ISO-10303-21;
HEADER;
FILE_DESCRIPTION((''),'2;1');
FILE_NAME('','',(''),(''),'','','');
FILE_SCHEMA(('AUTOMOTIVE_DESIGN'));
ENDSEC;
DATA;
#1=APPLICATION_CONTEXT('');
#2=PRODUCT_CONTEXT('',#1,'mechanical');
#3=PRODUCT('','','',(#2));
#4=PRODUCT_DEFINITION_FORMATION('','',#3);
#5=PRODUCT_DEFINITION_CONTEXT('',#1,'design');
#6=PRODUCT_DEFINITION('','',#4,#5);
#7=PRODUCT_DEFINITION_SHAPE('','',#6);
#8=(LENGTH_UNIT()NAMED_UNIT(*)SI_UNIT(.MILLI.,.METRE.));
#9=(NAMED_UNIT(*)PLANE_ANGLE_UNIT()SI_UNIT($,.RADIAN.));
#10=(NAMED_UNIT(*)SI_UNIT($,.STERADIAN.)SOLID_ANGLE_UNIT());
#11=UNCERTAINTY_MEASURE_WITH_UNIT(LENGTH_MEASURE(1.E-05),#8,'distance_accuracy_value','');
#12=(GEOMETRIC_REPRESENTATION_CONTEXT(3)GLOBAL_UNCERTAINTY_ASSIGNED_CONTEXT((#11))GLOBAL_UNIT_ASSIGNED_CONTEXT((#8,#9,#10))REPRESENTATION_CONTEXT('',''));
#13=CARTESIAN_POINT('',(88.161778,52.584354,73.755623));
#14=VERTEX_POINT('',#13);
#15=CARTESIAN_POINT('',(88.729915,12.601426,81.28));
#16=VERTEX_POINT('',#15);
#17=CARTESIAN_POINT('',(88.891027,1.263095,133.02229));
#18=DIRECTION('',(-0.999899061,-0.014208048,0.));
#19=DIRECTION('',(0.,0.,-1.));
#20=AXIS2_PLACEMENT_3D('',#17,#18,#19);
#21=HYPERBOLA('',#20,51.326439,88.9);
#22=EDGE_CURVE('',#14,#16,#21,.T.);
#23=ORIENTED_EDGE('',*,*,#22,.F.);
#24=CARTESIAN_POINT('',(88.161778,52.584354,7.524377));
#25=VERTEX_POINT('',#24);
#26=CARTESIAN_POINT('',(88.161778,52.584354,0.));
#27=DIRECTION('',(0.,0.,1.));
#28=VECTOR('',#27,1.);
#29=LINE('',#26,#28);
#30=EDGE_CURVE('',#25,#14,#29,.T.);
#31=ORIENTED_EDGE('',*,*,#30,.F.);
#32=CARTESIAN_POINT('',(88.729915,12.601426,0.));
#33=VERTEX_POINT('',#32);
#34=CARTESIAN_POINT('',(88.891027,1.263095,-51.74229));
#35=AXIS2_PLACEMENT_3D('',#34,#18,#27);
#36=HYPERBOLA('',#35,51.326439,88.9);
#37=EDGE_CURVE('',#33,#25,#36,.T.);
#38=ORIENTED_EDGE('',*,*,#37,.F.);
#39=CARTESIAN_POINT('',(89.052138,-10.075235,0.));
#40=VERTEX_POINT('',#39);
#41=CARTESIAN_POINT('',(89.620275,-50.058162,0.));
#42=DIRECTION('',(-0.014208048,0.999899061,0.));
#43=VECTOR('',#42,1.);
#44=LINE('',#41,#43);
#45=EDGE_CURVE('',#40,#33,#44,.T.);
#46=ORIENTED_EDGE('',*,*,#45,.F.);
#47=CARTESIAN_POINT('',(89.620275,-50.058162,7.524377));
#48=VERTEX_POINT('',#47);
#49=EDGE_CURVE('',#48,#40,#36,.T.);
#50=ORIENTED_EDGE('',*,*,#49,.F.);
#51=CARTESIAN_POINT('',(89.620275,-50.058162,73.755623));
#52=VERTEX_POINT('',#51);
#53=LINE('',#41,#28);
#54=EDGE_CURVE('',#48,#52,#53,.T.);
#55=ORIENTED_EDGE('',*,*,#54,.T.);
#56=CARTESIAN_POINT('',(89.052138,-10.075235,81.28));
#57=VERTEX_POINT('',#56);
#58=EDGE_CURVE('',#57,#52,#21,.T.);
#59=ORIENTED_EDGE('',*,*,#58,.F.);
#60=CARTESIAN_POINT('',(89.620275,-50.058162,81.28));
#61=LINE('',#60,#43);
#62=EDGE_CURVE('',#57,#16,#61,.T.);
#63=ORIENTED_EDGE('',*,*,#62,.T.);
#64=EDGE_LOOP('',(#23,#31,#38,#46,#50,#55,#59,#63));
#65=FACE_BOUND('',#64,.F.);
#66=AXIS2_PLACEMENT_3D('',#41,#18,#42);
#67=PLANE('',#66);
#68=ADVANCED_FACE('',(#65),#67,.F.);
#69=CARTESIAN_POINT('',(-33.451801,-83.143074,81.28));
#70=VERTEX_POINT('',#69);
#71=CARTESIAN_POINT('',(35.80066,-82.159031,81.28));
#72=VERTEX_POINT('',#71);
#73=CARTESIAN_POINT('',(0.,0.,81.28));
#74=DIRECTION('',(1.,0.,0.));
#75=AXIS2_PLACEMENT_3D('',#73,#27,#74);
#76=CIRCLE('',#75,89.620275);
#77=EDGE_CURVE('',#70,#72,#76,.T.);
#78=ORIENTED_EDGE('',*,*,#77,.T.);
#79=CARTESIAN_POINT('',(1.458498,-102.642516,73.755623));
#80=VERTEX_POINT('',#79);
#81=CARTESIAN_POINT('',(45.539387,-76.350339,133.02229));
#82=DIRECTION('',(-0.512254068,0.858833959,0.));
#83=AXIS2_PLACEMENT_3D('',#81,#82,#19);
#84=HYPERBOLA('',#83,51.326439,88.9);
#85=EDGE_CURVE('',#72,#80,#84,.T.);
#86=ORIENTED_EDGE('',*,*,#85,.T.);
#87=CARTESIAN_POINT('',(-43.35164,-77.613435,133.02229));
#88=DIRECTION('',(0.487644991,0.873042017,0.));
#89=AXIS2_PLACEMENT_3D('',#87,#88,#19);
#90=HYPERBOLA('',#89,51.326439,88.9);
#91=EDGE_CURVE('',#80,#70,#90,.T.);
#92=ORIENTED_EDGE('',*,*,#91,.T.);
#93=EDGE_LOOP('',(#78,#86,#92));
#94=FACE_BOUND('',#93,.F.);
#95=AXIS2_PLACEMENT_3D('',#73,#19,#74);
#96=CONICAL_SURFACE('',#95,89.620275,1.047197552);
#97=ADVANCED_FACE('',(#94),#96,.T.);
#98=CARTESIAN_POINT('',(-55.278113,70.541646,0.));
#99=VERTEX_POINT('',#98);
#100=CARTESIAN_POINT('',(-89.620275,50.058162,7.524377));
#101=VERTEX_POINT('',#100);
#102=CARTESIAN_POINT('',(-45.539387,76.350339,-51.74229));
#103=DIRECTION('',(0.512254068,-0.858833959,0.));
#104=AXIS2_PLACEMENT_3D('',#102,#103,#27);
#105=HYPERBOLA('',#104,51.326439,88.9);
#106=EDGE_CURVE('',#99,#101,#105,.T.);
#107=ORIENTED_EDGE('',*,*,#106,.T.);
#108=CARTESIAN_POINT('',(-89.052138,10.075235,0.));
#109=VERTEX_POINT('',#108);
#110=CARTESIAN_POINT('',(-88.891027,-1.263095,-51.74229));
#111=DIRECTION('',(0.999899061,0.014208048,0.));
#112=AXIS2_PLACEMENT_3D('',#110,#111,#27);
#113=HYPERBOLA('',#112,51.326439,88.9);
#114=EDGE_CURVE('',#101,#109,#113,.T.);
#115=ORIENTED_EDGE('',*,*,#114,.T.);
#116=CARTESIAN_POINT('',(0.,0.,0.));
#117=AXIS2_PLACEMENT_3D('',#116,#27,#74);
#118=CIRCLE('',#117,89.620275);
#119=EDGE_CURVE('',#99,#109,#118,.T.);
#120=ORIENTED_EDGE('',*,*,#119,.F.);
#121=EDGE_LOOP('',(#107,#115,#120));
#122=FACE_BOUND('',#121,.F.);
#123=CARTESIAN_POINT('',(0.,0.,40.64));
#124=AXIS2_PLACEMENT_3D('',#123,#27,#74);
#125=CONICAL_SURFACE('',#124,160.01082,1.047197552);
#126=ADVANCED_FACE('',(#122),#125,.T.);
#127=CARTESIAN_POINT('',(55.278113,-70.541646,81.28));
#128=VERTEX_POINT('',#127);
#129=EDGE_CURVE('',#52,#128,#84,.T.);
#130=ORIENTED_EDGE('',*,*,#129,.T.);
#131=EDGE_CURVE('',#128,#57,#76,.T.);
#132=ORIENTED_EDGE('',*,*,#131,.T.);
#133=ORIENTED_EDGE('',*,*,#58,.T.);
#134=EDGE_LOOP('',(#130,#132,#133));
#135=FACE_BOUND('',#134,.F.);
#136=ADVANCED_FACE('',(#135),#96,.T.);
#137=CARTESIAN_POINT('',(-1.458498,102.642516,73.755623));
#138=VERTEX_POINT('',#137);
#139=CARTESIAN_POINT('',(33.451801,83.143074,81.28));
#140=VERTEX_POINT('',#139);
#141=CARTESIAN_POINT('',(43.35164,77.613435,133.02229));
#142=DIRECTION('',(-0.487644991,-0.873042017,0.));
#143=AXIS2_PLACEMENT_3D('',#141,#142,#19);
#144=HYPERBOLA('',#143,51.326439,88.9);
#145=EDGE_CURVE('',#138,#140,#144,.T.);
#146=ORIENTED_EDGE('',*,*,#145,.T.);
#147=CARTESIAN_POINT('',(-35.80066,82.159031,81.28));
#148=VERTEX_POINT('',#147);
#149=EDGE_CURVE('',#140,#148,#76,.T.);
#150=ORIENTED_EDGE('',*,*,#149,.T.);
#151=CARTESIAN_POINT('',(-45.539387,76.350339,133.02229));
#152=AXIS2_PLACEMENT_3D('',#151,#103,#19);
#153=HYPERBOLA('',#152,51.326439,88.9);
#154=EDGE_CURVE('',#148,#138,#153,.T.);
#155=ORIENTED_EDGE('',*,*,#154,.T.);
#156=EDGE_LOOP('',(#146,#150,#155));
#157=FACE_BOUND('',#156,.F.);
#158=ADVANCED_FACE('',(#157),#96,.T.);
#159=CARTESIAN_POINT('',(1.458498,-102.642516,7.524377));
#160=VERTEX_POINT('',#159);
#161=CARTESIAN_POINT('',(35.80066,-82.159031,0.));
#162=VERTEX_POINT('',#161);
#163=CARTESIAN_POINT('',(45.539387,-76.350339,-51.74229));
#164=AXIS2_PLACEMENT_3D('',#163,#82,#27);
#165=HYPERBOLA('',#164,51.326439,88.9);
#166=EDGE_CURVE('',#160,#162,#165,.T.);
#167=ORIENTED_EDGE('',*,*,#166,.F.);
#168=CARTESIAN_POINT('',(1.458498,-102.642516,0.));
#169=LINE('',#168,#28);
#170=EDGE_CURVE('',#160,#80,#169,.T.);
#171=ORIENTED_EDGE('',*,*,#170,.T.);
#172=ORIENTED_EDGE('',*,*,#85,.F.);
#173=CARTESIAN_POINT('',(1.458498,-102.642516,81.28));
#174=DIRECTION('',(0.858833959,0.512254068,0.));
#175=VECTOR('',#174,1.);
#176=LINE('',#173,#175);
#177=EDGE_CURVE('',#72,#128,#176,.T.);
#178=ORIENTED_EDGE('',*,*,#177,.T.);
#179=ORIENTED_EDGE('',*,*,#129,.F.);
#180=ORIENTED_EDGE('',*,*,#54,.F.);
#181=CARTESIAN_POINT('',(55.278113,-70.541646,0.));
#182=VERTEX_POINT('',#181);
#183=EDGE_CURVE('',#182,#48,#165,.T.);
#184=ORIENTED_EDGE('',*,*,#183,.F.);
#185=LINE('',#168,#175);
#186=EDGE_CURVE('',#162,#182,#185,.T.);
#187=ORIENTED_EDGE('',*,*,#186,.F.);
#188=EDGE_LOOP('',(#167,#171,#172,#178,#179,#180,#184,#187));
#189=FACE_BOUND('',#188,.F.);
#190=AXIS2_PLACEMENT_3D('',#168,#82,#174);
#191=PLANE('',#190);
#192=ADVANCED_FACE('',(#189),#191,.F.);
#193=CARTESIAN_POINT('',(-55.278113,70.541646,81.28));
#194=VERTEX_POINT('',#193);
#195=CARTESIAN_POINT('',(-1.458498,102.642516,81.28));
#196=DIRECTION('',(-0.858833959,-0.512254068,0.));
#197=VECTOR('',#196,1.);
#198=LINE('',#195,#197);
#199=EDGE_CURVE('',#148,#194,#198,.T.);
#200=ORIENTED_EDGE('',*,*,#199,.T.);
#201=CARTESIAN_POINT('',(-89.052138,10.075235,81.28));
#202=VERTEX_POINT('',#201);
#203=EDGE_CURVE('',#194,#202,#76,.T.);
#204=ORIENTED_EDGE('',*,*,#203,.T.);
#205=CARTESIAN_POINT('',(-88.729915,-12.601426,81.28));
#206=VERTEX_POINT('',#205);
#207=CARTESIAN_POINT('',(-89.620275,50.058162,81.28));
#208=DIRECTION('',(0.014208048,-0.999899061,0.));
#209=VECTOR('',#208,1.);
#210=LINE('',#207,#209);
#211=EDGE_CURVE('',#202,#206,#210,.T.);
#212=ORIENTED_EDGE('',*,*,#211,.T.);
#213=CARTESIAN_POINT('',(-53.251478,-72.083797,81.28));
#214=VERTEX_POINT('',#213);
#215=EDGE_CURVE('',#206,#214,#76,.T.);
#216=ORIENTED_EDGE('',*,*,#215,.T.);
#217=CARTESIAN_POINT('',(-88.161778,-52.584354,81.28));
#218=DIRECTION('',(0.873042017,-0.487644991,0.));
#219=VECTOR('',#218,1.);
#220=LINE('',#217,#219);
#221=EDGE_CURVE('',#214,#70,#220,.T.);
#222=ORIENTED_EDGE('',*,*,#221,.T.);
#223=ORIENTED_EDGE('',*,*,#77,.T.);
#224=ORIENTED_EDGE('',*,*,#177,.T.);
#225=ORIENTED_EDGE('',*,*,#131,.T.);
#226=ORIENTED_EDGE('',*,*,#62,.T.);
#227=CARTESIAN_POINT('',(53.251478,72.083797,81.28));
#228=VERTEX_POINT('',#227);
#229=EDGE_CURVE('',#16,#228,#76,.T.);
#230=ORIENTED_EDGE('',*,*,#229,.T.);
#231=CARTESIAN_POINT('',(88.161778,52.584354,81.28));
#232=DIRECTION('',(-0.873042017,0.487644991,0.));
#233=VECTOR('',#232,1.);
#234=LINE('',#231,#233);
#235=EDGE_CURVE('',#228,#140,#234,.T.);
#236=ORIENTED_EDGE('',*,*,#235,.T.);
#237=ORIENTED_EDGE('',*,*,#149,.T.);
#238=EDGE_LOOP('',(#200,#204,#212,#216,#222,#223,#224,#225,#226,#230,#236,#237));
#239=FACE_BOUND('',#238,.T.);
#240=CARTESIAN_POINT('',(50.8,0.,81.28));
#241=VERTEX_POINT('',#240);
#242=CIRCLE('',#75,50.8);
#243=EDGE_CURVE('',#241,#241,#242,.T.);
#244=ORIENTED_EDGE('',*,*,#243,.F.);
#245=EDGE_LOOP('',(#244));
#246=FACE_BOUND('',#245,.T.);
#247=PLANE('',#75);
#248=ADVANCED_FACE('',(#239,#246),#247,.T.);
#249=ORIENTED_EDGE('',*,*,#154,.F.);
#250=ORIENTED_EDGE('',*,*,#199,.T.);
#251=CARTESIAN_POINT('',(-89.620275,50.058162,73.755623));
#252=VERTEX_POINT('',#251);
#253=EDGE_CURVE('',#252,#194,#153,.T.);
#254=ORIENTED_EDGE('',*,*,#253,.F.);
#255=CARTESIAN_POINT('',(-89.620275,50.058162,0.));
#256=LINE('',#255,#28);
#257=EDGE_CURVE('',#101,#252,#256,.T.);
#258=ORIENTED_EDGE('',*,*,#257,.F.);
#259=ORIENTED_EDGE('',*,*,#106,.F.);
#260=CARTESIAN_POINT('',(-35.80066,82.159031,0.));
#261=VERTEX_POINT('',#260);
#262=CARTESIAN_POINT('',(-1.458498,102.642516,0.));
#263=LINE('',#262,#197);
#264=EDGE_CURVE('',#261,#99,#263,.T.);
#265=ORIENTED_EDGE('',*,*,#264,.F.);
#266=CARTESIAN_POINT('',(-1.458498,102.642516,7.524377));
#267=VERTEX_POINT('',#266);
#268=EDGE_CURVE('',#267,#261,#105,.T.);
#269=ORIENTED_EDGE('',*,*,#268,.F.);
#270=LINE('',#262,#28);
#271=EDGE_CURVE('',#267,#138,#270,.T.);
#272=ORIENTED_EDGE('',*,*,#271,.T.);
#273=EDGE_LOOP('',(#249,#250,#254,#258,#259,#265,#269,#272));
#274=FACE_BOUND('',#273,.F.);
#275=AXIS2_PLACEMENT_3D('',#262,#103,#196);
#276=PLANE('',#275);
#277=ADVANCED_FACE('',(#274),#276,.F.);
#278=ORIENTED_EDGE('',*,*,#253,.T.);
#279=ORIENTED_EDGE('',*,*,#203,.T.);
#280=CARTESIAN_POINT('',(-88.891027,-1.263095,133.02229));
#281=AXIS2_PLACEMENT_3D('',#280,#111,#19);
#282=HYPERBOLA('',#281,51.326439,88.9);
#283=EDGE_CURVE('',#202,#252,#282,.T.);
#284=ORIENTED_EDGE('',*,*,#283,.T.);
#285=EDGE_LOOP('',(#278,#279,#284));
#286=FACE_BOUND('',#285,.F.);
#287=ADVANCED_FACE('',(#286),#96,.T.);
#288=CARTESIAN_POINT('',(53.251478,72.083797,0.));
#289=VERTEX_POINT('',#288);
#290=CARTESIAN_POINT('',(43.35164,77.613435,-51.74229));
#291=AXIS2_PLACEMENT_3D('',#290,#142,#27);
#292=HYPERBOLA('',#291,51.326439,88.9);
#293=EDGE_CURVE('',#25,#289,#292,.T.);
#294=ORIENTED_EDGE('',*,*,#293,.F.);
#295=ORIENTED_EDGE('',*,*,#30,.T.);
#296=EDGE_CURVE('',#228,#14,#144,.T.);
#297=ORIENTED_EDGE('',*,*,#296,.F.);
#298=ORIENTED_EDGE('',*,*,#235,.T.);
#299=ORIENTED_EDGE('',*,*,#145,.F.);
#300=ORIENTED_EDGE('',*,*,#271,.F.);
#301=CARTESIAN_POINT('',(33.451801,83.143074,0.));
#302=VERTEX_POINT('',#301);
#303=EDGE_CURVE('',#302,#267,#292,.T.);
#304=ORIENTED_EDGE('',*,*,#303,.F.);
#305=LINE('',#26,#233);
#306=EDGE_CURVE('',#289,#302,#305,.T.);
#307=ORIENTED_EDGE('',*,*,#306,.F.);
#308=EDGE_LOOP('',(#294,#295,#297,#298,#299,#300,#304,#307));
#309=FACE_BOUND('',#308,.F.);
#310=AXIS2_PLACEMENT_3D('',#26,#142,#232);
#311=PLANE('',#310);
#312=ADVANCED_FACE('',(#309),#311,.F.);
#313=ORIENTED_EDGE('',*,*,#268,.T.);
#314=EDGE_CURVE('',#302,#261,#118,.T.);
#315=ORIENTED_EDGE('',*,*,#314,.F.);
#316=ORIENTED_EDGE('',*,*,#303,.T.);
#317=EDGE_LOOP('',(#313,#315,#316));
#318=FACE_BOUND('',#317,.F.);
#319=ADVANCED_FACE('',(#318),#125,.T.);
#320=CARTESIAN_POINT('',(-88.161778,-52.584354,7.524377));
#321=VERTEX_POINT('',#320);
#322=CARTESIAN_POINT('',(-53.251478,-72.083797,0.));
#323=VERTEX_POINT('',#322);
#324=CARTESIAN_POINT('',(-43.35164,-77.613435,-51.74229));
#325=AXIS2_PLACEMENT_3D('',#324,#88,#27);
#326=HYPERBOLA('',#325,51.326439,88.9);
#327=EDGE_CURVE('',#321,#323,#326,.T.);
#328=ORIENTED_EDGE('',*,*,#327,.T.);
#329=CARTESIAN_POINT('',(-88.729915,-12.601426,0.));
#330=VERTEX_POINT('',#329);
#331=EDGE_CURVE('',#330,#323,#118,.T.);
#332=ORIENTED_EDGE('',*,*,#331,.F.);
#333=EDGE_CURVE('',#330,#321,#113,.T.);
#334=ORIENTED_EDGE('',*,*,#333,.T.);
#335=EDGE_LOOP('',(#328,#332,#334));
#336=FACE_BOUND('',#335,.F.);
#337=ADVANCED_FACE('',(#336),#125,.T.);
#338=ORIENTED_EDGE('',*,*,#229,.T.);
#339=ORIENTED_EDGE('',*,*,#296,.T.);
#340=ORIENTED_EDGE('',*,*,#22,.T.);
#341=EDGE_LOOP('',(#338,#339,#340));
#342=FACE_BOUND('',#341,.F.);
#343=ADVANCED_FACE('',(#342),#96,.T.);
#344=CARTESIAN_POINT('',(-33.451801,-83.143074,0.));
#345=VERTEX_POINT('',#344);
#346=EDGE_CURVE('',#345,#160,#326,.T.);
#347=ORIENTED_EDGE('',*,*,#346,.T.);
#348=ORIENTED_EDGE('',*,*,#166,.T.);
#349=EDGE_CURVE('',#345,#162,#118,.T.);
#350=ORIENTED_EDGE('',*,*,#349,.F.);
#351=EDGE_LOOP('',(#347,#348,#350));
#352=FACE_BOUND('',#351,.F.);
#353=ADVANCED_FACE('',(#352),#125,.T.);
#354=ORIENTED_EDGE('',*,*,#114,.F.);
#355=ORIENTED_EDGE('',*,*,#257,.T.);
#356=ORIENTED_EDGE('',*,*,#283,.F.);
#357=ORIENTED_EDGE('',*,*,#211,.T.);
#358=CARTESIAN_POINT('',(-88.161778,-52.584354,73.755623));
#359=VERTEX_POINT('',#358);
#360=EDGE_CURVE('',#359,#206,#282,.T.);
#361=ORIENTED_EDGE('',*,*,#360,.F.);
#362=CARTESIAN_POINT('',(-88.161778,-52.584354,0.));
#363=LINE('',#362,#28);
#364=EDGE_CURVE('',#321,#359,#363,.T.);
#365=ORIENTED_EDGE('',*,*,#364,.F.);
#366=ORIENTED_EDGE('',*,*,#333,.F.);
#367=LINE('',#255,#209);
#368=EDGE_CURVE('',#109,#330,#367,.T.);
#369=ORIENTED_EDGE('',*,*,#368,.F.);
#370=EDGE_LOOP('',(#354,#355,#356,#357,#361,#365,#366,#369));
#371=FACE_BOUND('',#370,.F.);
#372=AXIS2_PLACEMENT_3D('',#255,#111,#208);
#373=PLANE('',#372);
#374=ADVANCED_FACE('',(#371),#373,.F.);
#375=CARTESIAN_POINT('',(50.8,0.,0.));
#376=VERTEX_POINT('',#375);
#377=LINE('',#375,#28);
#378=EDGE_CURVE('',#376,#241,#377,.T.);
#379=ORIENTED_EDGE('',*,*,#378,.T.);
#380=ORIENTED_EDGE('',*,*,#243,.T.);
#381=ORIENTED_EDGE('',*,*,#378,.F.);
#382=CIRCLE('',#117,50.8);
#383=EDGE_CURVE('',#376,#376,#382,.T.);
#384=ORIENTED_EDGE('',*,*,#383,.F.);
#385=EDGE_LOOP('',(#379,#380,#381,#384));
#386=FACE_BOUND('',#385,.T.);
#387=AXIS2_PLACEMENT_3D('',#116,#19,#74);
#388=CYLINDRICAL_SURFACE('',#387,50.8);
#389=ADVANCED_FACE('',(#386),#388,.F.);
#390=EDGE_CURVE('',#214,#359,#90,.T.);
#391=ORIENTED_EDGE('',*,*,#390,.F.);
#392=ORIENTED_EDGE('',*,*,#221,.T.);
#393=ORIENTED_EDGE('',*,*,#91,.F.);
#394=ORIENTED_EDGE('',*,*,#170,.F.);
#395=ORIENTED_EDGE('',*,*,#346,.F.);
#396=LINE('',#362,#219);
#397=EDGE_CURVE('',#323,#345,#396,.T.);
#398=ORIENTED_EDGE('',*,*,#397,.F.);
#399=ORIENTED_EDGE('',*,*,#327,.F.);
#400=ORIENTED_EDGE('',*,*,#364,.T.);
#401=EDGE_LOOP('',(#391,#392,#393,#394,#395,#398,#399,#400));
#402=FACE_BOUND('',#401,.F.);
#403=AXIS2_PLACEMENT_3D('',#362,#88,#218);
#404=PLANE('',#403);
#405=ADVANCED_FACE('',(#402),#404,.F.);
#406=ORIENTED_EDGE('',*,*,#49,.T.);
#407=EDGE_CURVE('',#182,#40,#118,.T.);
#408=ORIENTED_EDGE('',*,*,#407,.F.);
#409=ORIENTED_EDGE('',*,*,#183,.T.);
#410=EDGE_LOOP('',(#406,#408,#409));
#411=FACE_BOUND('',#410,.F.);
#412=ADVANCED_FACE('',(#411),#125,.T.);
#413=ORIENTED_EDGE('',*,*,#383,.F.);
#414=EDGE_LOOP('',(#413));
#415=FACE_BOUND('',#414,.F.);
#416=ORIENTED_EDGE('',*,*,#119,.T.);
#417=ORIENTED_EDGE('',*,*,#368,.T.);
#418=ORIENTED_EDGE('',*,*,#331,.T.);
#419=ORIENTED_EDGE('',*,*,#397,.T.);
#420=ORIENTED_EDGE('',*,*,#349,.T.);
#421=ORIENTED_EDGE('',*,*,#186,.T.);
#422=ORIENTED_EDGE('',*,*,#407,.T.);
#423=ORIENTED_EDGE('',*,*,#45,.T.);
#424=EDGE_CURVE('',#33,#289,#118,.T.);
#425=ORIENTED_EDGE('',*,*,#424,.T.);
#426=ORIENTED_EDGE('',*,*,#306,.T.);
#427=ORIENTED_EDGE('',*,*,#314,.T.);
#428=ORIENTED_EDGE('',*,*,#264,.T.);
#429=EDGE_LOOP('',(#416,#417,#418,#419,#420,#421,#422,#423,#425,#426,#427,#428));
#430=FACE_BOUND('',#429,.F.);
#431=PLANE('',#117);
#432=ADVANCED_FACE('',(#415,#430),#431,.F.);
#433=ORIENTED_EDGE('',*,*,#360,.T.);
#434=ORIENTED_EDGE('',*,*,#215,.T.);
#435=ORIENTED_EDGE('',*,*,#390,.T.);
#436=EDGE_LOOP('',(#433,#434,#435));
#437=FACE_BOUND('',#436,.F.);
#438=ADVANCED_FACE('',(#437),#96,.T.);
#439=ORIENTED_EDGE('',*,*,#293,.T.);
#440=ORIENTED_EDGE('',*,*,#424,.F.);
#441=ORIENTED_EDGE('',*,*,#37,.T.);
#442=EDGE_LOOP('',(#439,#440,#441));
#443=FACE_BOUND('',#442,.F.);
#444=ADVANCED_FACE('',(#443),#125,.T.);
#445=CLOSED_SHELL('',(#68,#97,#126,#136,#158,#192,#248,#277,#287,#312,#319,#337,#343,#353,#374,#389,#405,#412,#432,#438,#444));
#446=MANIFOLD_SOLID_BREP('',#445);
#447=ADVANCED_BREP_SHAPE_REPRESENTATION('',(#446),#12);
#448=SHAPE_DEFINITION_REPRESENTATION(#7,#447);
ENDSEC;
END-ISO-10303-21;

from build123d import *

# Parameters (mm, degrees)
F0_R     = 50.8
F1_DEPTH = 81.28


with BuildPart() as f1:
    # F0 (on Top) → F1 (new body)
    with BuildSketch(Plane.XY):
        Polygon((88.161778, 52.584354), (-1.458498, 102.642516), (-89.620275, 50.058162), (-88.161778, -52.584354), (1.458498, -102.642516), (89.620275, -50.058162), align=None)
        Circle(F0_R, mode=Mode.SUBTRACT)
    extrude(amount=F1_DEPTH)

    # F2 (on Front) → F3 (revolve, cut)
    with BuildSketch(Plane.XZ):
        Polygon((161.132823, 41.287788), (157.832084, 81.28), (89.620275, 81.28), (160.01082, 40.64), align=None)
        Polygon((161.245103, 41.352613), (161.132823, 41.287788), (161.186287, 40.64), align=None)
        Polygon((161.132823, 39.992212), (160.01082, 40.64), (89.620275, 0), (157.832084, 0), align=None)
        Polygon((161.245103, 39.927387), (161.186287, 40.64), (161.132823, 39.992212), align=None)
    revolve(axis=Axis((0, 0, 40.64), (0, 0, 1)), mode=Mode.SUBTRACT)


solid = f1.part
